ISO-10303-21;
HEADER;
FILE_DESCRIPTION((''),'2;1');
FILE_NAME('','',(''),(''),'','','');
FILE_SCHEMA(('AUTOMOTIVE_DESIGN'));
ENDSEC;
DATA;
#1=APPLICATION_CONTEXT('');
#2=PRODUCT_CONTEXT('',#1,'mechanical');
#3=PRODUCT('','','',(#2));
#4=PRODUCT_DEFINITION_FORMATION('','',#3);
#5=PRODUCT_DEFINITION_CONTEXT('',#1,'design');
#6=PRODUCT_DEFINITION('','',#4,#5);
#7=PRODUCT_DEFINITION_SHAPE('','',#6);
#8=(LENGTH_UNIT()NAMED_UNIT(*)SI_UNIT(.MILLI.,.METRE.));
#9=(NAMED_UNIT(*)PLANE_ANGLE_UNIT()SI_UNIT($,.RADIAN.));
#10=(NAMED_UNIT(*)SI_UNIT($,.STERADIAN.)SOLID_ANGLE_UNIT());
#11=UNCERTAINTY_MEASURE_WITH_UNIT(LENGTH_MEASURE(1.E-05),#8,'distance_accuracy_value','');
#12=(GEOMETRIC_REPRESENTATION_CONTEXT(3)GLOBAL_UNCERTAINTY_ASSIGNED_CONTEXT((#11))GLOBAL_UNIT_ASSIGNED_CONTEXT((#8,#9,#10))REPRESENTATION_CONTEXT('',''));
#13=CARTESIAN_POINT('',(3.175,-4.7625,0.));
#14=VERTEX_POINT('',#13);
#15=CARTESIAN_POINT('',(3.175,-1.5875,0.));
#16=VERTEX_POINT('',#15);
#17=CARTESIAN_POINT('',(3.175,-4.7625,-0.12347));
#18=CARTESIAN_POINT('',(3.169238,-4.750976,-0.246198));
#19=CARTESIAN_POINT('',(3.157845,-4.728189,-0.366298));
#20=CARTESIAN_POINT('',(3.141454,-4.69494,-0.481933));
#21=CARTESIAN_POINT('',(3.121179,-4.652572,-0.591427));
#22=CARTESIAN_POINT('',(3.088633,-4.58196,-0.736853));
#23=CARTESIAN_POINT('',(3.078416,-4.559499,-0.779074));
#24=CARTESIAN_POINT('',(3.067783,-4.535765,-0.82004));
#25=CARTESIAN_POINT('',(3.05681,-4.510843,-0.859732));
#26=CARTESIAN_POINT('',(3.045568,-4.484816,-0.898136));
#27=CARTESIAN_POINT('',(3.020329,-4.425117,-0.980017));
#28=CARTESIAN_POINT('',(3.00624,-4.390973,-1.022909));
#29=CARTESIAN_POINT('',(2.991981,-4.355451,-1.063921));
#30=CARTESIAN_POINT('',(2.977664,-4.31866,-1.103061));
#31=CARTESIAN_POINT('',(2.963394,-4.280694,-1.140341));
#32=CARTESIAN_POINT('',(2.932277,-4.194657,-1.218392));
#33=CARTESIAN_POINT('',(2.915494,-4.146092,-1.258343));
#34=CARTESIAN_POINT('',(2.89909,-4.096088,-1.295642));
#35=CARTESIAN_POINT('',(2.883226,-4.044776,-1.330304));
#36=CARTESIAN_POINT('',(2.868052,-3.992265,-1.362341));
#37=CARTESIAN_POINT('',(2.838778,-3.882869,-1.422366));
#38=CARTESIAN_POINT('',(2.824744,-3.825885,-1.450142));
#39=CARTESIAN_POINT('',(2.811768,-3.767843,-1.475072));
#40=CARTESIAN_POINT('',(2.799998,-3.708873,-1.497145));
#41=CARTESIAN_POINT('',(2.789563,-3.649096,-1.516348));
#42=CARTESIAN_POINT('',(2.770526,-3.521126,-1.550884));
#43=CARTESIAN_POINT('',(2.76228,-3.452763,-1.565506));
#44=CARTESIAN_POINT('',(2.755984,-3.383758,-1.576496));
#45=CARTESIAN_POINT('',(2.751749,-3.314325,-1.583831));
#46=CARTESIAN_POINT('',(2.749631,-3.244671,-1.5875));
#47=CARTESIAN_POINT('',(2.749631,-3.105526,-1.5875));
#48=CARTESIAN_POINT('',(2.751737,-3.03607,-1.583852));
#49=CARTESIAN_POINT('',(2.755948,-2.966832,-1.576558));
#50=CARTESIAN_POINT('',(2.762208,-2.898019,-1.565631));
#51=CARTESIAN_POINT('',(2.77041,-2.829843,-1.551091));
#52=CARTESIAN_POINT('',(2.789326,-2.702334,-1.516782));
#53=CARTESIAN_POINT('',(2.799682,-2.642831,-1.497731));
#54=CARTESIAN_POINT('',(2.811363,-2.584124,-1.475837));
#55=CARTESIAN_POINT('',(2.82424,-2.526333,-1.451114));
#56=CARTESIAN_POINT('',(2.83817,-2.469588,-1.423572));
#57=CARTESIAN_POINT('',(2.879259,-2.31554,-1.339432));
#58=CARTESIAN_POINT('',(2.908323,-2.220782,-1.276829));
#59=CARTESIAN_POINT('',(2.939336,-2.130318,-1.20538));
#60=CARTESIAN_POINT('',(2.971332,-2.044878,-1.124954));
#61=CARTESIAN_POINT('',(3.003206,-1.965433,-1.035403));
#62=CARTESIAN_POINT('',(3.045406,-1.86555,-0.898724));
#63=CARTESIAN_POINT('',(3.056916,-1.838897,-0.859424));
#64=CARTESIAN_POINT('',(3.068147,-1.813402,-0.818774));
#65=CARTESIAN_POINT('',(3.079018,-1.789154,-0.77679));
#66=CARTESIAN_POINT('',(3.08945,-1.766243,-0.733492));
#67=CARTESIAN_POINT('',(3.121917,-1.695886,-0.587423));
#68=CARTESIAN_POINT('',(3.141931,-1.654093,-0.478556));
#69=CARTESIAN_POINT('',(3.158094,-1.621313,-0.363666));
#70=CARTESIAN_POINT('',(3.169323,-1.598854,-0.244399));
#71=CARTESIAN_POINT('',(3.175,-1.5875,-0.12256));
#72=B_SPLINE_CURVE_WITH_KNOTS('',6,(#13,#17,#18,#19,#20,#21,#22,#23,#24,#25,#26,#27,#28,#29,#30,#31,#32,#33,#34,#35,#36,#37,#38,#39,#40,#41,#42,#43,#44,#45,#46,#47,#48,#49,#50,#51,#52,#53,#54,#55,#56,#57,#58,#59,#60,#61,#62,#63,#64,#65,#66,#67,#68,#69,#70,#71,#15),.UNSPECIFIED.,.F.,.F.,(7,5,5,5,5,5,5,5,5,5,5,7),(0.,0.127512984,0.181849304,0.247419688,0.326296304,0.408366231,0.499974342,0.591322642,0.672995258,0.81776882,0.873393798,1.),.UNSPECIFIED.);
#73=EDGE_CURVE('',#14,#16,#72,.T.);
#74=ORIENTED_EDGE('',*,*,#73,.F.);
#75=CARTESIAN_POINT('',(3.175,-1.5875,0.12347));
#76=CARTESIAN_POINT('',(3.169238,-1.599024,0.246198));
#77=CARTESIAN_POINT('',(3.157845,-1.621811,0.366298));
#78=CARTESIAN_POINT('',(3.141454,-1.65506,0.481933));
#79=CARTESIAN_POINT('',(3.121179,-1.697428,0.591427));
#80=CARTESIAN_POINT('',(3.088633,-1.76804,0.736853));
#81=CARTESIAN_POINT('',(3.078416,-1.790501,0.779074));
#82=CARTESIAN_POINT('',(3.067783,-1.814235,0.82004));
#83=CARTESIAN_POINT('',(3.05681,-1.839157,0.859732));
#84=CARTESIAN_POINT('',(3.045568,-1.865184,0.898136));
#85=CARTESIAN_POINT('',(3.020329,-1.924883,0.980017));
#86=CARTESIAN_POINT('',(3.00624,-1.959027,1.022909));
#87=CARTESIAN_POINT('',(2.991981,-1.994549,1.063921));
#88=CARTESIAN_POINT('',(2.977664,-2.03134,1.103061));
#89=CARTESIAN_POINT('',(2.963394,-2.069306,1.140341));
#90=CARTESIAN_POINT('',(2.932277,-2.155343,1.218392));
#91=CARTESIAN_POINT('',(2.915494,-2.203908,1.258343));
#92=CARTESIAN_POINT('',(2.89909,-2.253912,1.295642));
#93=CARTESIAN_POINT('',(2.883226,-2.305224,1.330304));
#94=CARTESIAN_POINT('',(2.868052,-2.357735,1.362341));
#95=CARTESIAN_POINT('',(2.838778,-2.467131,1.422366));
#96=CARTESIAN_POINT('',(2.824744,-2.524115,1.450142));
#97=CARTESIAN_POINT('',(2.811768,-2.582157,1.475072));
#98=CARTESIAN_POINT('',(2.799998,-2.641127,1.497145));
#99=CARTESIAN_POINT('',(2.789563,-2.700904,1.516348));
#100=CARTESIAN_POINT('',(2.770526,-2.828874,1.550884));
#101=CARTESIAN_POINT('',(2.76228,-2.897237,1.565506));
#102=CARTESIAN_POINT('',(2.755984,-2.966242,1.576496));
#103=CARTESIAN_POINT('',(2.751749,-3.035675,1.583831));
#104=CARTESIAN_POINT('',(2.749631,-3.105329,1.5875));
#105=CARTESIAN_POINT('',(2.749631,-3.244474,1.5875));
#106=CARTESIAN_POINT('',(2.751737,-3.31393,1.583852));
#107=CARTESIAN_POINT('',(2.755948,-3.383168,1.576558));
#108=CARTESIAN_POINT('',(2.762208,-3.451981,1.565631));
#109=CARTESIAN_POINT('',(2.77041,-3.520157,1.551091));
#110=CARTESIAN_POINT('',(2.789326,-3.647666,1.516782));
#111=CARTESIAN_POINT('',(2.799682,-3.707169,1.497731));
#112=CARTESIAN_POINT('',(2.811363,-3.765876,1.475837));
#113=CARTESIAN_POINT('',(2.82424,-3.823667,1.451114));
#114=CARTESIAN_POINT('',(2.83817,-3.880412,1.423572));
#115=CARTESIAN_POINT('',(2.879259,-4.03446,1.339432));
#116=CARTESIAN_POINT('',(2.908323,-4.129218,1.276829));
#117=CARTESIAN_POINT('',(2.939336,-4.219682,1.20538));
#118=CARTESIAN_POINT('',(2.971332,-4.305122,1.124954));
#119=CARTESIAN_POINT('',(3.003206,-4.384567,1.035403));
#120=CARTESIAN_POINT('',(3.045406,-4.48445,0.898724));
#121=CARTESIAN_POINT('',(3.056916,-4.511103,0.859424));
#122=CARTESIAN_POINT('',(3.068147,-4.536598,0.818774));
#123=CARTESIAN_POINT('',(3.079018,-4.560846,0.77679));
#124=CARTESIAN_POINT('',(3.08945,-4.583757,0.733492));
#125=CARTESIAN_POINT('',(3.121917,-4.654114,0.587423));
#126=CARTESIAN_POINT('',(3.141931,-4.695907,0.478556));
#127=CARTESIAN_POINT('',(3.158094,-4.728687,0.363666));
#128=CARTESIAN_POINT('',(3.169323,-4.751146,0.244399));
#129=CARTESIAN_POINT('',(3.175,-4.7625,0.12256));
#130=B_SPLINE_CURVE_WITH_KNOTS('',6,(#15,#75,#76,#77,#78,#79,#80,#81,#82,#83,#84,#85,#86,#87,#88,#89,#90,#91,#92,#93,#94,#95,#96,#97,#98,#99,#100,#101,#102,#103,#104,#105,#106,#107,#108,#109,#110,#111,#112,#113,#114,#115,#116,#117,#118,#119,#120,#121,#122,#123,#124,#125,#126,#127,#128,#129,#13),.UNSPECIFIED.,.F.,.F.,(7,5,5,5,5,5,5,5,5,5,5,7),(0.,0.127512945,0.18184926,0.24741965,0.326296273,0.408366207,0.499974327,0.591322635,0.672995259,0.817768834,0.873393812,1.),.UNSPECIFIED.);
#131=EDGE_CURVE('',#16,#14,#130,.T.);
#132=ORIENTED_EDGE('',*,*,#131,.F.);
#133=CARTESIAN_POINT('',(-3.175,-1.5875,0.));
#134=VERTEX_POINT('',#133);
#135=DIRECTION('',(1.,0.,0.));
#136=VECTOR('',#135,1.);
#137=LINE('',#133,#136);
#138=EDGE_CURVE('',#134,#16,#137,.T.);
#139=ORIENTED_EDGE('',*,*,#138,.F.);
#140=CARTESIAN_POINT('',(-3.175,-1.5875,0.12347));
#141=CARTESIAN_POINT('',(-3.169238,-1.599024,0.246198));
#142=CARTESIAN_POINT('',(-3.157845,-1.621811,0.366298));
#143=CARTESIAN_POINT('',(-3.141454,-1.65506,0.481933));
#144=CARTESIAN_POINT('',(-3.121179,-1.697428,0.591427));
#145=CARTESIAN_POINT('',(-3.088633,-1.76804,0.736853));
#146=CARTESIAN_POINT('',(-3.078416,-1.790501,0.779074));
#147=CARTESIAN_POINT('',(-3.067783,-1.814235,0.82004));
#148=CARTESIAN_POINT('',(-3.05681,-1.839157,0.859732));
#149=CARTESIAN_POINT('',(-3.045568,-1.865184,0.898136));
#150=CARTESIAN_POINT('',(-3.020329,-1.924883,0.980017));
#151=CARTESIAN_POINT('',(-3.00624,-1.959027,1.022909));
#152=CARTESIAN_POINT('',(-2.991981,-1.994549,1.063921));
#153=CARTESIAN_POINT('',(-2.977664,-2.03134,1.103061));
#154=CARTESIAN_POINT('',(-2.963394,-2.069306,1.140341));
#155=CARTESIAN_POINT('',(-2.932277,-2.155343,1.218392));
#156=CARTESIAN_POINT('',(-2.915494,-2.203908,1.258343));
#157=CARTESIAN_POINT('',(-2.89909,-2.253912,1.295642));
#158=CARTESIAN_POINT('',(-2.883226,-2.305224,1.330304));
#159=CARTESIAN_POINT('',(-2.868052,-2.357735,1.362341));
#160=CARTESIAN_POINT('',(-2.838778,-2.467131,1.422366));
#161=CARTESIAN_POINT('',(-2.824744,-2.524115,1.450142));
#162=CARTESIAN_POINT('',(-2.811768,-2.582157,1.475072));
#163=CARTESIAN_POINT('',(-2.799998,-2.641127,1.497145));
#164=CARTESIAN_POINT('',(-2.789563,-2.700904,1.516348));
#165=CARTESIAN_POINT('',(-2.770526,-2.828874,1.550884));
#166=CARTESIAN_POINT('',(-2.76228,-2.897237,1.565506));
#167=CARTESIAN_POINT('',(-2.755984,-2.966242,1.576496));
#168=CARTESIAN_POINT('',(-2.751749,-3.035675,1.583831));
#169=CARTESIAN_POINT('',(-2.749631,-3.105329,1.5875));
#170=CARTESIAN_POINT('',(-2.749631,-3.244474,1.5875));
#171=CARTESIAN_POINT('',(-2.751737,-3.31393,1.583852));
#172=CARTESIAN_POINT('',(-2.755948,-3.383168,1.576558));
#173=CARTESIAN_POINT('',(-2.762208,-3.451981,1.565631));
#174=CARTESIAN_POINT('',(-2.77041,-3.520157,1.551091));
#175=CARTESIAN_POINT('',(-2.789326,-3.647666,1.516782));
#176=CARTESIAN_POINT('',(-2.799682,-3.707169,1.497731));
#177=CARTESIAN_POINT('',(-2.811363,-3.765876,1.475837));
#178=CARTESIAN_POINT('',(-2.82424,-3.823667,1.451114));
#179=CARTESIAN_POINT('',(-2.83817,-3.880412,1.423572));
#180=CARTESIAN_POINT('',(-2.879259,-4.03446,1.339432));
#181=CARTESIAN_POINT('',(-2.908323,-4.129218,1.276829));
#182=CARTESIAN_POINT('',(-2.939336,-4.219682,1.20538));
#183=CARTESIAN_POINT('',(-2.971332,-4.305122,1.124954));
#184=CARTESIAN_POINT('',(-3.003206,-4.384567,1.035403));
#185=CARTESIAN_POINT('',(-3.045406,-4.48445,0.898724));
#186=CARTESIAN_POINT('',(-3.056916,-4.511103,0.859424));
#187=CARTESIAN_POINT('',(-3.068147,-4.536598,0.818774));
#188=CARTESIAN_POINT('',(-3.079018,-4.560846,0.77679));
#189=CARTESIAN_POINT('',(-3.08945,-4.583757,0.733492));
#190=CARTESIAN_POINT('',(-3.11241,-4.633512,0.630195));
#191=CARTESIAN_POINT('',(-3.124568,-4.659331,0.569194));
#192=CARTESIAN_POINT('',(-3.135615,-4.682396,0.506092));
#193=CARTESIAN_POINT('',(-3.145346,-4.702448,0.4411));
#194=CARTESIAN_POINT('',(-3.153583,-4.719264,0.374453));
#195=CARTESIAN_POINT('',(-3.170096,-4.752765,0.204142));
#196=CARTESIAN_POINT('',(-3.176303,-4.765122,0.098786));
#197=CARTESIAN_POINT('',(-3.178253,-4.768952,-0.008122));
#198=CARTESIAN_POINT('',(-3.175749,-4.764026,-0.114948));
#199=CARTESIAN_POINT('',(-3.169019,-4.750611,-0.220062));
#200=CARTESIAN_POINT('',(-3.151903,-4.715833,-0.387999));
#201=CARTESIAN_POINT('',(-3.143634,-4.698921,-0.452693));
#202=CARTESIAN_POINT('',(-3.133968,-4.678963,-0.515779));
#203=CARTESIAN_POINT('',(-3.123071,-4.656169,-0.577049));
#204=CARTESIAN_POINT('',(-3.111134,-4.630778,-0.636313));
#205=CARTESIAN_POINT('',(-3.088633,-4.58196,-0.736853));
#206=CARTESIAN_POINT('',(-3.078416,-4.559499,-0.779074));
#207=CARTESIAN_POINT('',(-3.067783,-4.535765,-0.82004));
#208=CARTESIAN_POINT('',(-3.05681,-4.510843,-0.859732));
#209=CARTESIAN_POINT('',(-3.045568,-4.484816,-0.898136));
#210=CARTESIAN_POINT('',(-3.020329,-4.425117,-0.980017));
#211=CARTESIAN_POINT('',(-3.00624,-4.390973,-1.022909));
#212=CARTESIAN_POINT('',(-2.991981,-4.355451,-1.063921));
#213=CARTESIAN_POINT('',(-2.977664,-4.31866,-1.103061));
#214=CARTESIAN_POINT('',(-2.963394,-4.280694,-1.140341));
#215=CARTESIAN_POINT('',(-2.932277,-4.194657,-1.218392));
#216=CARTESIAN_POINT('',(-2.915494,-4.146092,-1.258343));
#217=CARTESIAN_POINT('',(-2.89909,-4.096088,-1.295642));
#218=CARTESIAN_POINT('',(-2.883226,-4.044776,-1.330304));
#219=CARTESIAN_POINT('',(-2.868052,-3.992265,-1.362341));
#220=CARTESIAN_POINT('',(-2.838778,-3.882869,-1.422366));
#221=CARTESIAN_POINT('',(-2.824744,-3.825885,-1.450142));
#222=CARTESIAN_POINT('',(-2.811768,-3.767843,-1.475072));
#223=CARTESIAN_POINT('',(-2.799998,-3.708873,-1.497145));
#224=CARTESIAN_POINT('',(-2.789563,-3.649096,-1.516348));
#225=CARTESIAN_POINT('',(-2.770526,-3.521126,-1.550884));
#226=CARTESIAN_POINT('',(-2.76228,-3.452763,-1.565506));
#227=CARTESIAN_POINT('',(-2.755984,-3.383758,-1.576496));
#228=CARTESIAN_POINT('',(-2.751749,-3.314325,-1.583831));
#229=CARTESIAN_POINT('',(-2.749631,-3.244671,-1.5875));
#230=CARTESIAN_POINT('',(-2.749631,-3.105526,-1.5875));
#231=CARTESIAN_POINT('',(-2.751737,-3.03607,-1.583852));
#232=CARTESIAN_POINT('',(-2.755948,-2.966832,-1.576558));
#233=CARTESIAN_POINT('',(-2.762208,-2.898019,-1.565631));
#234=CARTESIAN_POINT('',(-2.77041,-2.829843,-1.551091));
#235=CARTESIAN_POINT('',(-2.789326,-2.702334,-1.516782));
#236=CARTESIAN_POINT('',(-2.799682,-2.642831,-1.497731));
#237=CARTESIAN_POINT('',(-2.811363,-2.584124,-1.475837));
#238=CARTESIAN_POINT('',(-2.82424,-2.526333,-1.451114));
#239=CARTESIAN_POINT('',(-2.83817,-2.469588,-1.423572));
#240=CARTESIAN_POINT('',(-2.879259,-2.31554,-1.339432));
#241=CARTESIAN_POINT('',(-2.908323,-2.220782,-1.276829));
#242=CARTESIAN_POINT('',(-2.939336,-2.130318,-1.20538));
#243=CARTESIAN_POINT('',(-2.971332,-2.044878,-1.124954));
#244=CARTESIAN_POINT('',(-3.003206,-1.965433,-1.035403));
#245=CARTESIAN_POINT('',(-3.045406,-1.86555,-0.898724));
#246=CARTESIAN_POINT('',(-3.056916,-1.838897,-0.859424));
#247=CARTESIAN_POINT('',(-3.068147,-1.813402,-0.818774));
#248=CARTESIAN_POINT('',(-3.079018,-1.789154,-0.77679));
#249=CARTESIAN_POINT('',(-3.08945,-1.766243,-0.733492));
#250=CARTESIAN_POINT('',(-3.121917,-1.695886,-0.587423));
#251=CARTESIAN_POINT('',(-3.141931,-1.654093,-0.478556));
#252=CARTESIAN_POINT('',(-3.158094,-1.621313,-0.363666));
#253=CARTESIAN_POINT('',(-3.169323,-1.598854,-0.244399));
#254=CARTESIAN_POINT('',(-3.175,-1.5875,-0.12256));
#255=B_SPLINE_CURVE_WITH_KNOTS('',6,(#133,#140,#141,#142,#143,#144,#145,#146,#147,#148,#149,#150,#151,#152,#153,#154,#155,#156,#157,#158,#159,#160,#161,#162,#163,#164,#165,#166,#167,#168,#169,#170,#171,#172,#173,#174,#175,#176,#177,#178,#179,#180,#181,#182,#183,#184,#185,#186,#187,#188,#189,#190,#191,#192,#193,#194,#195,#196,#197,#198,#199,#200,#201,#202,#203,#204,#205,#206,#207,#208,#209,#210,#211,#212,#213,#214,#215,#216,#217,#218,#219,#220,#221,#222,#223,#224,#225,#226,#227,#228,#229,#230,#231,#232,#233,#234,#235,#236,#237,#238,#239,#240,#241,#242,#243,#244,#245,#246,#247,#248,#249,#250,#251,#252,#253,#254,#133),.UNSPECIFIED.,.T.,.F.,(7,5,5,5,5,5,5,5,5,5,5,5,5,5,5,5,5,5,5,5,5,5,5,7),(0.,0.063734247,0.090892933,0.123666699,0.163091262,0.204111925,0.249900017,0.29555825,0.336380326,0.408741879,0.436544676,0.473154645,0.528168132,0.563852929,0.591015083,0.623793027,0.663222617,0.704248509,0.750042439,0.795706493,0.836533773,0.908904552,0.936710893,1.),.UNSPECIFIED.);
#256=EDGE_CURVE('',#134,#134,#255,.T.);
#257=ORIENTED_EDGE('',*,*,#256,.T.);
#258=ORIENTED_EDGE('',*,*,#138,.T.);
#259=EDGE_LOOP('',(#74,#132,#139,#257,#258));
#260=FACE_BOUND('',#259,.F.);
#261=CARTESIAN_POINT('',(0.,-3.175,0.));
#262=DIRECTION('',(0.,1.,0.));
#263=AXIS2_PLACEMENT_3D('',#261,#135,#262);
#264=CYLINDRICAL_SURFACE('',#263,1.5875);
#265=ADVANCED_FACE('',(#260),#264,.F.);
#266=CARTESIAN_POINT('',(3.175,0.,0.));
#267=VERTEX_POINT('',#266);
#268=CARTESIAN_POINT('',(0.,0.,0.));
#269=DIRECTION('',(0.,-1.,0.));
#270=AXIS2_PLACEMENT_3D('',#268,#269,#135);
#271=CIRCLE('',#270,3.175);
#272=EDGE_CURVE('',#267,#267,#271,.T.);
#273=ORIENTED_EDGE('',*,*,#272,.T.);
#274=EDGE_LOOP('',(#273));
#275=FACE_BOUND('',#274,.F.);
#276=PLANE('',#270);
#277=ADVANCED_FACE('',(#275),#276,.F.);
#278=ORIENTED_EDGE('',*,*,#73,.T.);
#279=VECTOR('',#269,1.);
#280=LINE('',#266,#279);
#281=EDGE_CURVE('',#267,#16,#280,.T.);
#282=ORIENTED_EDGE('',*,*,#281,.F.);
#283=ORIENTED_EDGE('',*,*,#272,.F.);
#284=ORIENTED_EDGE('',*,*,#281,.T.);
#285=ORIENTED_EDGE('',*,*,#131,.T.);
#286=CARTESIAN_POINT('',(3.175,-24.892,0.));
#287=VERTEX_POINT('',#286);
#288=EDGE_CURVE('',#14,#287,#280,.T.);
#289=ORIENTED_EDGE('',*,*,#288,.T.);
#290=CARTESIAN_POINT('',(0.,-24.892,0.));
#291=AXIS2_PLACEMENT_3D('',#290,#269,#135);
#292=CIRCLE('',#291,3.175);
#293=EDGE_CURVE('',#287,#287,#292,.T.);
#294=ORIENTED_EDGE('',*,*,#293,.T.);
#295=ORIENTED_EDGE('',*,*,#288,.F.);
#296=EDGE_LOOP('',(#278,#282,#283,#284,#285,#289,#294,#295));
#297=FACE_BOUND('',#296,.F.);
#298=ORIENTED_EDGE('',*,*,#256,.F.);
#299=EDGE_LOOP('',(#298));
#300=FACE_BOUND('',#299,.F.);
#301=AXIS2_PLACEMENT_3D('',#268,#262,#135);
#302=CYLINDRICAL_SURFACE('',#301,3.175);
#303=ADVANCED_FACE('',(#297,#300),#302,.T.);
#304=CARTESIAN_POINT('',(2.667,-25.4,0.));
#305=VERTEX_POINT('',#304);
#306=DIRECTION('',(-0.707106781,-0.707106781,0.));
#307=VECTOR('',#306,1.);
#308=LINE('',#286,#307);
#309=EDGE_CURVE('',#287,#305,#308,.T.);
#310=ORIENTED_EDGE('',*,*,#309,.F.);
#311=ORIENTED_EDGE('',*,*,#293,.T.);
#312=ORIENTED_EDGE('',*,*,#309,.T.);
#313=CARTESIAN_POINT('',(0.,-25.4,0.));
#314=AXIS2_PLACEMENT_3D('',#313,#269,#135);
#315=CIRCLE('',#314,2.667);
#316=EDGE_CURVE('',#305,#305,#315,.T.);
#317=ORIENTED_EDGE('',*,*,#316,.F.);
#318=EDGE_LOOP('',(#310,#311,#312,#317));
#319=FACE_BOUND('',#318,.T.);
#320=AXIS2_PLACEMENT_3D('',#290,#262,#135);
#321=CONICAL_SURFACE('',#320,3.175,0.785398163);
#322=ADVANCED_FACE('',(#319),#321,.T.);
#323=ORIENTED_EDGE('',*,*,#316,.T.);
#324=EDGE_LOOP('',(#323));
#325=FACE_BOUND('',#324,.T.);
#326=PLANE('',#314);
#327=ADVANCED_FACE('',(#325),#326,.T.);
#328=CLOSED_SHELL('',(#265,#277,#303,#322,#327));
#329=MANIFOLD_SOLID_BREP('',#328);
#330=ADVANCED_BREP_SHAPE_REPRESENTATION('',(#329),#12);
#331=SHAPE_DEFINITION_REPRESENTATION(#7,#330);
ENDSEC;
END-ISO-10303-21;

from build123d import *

# Parameters (mm, degrees)
F0_R     = 3.175
F1_DEPTH = 25.4
F2_SIZE  = 0.508
F3_R     = 1.5875
F4_DEPTH = 3.175


with BuildPart() as f1:
    # F0 (on Front) → F1 (new body)
    with BuildSketch(Plane.XZ):
        Circle(F0_R)
    extrude(amount=F1_DEPTH)

    # F2
    f2_edges = [f1.edges().sort_by_distance(p)[0] for p in [
        (-3.175, -25.4, 0),
    ]]
    chamfer(f2_edges, length=F2_SIZE)

    # F3 (on Right) → F4 (cut, symmetric)
    with BuildSketch(Plane.YZ):
        with Locations((-3.175, 0)):
            Circle(F3_R)
    extrude(amount=F4_DEPTH, both=True, mode=Mode.SUBTRACT)


solid = f1.part
